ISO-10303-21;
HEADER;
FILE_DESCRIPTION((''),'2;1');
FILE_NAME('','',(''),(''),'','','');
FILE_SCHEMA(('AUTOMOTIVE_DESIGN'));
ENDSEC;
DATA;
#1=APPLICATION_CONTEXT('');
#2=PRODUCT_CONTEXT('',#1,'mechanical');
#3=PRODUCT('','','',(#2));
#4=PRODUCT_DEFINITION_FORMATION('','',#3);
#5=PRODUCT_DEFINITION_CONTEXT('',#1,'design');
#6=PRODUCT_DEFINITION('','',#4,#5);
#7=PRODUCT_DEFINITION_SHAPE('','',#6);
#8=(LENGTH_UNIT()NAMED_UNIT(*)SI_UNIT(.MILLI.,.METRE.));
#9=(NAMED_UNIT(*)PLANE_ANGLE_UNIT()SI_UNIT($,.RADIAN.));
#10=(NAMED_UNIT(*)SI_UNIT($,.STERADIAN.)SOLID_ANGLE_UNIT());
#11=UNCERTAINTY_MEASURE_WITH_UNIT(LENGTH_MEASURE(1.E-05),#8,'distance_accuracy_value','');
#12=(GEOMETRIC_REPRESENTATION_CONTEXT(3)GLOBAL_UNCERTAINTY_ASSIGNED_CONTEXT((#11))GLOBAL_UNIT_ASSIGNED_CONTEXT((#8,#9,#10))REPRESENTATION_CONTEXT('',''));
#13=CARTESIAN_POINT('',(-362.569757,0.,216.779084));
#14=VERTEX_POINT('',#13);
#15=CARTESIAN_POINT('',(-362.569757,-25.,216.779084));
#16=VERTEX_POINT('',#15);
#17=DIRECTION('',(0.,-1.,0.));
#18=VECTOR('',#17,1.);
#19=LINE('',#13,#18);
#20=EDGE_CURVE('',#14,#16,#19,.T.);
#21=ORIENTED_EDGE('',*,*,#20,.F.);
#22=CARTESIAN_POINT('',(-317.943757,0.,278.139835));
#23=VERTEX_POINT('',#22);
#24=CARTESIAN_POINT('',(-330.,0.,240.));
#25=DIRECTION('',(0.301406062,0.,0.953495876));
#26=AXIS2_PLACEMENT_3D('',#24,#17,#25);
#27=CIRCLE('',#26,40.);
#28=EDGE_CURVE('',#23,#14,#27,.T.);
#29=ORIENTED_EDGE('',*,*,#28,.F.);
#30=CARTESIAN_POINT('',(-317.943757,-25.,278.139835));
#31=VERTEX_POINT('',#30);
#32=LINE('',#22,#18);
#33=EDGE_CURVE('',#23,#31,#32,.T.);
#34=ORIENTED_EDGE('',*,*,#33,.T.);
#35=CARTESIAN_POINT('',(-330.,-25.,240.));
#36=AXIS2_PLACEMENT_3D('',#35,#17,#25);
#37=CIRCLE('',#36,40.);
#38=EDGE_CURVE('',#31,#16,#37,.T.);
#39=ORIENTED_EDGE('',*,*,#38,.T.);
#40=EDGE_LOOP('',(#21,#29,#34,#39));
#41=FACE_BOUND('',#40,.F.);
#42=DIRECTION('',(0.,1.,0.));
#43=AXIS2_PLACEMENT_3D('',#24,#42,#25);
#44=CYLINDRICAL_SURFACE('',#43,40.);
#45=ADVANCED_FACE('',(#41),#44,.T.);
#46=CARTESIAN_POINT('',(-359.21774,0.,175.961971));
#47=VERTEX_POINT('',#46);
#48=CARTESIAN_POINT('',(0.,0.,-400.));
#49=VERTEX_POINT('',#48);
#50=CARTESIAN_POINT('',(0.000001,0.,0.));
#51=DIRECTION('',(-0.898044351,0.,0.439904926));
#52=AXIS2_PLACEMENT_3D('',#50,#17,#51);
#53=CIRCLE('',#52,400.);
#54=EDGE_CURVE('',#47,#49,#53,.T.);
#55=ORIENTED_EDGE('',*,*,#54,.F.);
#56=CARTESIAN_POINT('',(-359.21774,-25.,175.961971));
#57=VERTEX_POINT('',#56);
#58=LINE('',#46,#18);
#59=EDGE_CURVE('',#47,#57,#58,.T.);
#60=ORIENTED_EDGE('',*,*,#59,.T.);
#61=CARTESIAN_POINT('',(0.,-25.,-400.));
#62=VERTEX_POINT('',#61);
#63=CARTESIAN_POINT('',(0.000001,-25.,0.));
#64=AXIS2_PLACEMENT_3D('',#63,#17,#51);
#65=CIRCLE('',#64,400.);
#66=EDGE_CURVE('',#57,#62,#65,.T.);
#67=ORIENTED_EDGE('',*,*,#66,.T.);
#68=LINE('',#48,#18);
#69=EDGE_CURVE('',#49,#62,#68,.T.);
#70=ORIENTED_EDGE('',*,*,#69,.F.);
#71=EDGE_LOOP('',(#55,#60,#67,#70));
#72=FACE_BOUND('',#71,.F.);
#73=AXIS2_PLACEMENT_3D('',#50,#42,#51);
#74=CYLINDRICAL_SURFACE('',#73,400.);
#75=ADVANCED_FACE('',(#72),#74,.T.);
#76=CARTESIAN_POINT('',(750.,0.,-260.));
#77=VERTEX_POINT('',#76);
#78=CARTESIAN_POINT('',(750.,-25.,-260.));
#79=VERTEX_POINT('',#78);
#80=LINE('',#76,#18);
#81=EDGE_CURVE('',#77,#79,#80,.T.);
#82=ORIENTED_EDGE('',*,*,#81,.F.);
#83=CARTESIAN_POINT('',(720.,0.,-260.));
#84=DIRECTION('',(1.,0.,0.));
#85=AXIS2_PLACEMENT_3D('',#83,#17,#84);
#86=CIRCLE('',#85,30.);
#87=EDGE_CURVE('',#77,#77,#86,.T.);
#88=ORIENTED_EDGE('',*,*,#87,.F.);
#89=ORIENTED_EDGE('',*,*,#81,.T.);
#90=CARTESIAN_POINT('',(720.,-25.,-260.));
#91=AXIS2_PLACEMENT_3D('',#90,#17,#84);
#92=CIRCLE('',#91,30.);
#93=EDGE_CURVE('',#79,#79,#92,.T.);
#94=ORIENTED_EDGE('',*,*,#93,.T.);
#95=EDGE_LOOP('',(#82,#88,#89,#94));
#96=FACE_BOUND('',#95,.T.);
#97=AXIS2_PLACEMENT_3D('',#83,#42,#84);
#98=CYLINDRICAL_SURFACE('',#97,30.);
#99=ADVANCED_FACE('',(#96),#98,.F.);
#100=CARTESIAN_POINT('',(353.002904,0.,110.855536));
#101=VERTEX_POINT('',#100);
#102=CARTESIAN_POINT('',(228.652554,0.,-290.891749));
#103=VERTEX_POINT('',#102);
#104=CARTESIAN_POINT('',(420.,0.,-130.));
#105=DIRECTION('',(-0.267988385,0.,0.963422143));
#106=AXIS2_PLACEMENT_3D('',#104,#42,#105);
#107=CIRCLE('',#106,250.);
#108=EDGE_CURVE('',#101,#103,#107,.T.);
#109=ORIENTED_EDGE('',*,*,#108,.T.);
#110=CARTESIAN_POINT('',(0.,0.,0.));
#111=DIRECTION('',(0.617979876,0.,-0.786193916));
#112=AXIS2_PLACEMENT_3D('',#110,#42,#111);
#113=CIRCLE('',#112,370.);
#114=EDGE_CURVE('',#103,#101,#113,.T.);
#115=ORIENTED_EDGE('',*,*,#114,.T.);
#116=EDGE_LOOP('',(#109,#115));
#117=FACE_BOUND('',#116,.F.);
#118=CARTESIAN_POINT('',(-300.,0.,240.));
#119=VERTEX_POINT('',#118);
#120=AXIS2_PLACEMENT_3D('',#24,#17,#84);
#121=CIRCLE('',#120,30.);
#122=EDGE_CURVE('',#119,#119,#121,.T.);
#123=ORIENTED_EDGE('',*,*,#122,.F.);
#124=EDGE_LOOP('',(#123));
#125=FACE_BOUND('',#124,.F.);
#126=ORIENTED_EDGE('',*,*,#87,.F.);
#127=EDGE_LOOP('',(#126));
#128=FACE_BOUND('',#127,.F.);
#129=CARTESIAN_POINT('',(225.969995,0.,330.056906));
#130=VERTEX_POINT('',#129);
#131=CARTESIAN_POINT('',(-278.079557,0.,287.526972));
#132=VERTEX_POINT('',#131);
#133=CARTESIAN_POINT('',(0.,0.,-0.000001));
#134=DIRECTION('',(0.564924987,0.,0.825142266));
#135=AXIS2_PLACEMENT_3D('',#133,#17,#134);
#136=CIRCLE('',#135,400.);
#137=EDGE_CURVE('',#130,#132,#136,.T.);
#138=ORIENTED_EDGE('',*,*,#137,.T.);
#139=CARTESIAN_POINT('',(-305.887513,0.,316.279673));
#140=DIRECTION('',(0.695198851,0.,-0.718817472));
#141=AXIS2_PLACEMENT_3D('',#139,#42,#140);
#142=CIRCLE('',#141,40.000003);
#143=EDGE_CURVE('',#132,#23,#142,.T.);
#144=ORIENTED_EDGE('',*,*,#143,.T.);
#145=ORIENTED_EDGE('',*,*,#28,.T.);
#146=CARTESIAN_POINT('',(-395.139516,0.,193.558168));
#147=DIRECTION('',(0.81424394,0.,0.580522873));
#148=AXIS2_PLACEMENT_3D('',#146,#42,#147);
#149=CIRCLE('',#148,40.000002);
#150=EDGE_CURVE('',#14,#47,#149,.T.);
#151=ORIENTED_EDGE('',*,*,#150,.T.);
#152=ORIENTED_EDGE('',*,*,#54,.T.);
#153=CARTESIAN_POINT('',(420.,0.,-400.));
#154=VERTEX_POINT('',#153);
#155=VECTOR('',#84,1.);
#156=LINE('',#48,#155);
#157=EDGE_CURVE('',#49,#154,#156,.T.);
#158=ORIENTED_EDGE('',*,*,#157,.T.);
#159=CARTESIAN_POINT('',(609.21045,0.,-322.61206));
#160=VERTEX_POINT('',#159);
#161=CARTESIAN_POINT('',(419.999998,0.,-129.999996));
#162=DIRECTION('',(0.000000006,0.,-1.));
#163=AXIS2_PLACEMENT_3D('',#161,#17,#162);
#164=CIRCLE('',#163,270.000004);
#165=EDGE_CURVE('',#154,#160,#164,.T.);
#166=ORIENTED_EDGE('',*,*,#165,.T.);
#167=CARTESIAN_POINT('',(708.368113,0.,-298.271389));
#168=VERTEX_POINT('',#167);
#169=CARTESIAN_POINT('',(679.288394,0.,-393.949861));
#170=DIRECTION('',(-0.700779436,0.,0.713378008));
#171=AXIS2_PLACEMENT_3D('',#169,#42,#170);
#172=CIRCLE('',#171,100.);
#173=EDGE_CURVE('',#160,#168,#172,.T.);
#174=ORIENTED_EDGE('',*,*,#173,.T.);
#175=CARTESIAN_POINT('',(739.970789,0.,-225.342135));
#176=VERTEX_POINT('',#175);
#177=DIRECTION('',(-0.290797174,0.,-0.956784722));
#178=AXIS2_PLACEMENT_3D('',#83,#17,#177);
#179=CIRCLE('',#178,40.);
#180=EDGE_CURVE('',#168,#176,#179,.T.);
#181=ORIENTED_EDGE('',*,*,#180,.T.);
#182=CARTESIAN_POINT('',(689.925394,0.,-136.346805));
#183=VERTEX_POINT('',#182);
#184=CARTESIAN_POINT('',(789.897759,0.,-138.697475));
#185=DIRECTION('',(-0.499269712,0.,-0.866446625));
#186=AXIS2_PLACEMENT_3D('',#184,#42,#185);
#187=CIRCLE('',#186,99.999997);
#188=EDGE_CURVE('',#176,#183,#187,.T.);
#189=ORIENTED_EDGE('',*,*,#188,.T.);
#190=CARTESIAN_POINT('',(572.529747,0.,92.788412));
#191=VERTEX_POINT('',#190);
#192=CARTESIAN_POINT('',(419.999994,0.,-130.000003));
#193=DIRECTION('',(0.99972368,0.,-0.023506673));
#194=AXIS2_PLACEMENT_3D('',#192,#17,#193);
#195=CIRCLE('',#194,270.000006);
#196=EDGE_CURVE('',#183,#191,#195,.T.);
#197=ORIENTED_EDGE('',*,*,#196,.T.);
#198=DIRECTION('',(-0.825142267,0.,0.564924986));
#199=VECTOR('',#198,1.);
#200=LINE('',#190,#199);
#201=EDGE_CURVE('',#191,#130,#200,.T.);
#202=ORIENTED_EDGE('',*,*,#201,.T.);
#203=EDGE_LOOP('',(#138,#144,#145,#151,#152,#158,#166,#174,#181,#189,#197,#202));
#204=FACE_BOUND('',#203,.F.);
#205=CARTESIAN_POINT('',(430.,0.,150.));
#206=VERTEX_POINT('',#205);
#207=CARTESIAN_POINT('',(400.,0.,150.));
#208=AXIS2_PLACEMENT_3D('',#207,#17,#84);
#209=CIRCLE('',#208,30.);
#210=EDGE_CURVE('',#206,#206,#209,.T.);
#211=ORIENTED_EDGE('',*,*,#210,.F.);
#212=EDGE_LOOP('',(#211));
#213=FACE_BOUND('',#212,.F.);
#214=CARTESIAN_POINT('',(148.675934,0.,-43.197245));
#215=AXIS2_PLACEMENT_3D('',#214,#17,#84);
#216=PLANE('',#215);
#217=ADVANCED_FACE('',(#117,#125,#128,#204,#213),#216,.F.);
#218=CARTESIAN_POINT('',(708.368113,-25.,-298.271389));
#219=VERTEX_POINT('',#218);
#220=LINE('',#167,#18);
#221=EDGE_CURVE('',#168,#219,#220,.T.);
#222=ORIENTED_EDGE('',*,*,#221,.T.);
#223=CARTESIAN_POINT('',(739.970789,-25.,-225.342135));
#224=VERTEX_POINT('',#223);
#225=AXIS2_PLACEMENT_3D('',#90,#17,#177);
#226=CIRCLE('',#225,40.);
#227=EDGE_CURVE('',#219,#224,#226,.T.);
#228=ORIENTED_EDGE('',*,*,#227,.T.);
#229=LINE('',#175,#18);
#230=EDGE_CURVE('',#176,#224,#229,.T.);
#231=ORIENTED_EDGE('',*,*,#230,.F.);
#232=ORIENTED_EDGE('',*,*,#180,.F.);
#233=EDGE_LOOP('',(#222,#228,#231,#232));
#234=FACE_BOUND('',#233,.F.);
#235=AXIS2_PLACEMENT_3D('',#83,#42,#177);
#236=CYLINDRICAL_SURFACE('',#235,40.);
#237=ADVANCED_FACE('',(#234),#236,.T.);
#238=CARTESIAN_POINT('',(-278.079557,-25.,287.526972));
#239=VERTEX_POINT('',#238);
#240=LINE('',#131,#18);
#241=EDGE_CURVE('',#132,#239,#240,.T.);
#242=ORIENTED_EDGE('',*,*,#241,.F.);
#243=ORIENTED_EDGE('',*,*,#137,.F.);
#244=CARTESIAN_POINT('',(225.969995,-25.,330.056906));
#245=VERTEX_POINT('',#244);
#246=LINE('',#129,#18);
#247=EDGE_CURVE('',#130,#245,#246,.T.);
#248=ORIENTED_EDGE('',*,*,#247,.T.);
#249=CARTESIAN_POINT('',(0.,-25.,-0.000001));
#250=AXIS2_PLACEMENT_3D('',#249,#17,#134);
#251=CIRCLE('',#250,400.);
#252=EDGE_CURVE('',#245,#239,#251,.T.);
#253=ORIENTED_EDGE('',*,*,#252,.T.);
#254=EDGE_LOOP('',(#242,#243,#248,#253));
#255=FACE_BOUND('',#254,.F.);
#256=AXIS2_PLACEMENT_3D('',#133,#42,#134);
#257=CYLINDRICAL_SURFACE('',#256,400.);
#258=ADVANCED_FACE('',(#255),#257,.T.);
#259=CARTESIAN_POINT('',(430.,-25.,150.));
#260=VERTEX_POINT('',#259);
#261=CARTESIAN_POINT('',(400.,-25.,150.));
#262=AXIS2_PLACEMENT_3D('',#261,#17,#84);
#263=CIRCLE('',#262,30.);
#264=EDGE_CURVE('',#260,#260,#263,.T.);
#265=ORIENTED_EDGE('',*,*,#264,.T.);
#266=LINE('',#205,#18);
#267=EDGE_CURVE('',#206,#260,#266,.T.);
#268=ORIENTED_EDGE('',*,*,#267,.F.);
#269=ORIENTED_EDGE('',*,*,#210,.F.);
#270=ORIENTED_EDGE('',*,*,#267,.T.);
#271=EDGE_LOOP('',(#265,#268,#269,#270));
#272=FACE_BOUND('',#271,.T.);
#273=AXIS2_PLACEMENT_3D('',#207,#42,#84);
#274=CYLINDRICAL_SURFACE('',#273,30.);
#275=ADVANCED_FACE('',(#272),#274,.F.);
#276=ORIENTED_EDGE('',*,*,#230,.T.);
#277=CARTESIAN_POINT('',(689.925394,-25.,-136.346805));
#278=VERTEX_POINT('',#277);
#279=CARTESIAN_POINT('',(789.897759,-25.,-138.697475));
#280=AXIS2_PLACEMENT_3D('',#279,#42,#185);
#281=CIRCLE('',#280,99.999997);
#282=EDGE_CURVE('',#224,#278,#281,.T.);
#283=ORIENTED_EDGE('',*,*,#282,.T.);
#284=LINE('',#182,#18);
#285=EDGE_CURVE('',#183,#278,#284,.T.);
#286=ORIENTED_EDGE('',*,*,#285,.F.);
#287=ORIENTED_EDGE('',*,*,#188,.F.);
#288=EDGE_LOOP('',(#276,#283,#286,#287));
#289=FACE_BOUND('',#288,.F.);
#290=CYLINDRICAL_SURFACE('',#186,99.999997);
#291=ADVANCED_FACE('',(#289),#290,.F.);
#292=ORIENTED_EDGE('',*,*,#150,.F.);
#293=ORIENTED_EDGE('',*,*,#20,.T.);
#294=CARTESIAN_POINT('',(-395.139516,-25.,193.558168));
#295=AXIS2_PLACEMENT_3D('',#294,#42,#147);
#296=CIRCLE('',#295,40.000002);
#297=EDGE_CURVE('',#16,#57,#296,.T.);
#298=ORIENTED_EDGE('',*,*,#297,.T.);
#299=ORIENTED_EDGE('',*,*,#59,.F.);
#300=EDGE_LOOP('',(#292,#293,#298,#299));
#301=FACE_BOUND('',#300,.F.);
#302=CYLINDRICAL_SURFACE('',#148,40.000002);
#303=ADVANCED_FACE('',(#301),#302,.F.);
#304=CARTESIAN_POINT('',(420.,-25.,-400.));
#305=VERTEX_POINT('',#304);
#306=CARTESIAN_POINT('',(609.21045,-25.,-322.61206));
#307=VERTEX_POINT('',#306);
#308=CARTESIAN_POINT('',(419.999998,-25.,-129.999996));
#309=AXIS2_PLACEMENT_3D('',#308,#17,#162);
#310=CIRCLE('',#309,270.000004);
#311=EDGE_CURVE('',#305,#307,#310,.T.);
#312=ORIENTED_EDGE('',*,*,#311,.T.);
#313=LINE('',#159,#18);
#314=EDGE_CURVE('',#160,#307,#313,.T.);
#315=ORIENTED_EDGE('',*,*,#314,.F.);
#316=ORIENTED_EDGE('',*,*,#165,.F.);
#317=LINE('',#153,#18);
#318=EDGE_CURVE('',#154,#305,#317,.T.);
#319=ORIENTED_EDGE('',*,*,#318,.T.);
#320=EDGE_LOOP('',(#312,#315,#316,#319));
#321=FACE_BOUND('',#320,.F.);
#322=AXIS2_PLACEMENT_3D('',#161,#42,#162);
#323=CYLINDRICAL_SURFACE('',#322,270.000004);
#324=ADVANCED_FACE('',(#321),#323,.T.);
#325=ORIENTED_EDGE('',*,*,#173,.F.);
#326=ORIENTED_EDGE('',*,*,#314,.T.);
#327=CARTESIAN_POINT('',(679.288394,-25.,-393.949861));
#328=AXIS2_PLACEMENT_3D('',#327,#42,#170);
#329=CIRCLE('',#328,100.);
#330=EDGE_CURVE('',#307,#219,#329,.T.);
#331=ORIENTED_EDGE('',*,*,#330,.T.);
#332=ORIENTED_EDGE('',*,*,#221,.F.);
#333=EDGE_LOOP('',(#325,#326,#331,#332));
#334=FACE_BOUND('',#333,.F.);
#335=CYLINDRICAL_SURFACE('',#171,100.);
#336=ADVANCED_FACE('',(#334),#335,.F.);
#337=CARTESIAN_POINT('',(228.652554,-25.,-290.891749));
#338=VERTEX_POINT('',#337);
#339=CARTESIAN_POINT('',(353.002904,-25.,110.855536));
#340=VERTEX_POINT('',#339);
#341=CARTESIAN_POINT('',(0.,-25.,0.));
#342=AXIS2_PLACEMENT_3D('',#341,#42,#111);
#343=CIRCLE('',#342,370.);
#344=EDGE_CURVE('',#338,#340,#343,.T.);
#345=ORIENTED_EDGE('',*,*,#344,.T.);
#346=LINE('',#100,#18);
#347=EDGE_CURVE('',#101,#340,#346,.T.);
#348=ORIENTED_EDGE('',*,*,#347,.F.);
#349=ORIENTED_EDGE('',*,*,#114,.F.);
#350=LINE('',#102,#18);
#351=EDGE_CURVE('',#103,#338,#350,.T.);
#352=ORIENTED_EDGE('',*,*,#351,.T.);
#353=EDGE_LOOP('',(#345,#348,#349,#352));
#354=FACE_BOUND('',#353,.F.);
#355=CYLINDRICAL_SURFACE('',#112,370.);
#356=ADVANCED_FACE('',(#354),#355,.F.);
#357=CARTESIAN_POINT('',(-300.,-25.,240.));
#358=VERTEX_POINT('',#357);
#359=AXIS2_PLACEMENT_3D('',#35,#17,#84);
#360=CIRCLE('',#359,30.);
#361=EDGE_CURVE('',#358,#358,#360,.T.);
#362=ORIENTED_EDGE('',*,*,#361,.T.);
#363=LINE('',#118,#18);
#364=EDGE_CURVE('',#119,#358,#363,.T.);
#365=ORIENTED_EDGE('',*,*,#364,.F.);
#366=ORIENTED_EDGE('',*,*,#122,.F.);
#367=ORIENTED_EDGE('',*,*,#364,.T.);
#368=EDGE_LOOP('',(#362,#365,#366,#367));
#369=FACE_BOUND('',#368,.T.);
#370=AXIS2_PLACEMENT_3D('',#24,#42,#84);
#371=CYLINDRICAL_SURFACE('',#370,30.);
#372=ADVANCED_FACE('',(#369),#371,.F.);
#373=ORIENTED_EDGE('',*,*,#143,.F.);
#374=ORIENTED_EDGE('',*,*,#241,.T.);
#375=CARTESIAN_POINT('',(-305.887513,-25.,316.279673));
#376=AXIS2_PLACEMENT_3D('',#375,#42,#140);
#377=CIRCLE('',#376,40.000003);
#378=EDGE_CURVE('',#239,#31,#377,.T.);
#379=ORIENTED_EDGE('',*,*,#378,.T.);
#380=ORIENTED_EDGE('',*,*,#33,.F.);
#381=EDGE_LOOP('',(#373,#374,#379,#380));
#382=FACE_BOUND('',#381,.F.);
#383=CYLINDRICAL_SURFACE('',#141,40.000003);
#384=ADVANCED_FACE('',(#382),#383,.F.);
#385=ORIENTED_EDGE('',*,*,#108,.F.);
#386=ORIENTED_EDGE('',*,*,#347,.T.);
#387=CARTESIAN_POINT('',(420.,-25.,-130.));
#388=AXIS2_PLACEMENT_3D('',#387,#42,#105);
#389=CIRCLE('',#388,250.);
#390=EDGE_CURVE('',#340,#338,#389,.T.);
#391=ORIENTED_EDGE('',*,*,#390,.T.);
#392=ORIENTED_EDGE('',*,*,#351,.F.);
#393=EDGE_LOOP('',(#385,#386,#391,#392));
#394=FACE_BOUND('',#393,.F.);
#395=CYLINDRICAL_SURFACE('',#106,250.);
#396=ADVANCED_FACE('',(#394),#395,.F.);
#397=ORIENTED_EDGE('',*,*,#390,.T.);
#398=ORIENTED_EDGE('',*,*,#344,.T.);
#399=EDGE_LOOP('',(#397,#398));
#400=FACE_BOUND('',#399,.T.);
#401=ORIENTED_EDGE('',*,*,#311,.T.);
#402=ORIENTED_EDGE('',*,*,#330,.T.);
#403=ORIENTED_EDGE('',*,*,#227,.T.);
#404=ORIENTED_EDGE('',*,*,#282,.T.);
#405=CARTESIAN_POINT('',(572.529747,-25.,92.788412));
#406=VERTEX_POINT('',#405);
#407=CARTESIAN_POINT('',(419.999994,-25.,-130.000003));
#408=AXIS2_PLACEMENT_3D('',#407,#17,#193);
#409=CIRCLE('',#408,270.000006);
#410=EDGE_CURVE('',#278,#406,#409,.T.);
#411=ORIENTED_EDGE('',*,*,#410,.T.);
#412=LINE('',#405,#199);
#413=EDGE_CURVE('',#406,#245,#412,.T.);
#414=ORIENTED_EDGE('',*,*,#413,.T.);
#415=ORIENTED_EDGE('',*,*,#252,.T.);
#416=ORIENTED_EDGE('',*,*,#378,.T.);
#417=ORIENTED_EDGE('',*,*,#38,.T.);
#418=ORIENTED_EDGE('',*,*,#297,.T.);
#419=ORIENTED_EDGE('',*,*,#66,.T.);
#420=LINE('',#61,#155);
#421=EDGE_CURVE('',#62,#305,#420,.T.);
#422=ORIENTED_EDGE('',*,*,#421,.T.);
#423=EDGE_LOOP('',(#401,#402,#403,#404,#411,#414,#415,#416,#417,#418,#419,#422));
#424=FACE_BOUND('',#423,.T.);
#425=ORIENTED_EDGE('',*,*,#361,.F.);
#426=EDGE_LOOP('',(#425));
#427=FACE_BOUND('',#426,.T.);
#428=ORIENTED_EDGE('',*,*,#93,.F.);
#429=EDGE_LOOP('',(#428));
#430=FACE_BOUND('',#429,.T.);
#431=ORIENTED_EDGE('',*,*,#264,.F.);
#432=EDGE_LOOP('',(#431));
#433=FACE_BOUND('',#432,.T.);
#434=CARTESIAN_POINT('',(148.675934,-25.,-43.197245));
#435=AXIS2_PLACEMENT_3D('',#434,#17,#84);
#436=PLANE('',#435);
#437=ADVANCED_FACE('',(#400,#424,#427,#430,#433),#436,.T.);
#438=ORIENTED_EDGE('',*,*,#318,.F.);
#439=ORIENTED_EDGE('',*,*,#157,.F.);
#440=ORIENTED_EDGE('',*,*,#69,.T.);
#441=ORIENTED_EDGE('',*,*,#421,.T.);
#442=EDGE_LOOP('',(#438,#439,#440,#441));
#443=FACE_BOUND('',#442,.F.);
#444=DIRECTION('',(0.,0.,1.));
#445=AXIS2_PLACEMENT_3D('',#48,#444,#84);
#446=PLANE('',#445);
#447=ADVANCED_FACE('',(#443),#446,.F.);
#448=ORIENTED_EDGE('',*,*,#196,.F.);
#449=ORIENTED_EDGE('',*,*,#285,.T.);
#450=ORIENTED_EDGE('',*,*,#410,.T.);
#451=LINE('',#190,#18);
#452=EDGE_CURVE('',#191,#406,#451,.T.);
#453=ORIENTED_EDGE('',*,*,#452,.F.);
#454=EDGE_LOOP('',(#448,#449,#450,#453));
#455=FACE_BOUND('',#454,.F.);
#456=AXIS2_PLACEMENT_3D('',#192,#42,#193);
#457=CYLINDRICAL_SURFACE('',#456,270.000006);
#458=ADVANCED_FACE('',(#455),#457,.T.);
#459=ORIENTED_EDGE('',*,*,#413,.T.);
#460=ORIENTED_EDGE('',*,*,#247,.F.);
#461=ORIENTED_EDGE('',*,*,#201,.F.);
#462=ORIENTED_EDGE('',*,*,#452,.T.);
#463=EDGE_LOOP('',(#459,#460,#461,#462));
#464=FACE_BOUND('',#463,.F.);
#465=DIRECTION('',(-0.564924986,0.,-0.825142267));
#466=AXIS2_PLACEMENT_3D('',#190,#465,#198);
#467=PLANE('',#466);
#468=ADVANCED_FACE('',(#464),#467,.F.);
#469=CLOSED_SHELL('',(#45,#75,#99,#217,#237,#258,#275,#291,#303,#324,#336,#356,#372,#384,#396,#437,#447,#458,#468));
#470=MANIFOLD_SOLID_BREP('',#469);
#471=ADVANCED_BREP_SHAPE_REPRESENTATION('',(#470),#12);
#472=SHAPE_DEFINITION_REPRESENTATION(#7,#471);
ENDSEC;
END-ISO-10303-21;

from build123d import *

# Parameters (mm, degrees)
F0_R     = 30
F1_DEPTH = 25


with BuildPart() as f1:
    # F0 (on Front) → F1 (new body)
    with BuildSketch(Plane.XZ):
        with BuildLine():
            ThreePointArc((-362.569757, 216.779084), (-355.273719, 196.83206), (-359.21774, 175.961971))
            ThreePointArc((-359.21774, 175.961971), (-339.40005, -211.678071), (0, -400))
            Line((0, -400), (420, -400))
            ThreePointArc((420, -400), (522.212386, -379.905238), (609.21045, -322.61206))
            ThreePointArc((609.21045, -322.61206), (655.448706, -296.833079), (708.368113, -298.271389))
            ThreePointArc((708.368113, -298.271389), (756.702225, -275.904298), (739.970789, -225.342135))
            ThreePointArc((739.970789, -225.342135), (702.734149, -187.712825), (689.925394, -136.346805))
            ThreePointArc((689.925394, -136.346805), (660.297364, -6.885514), (572.529747, 92.788412))
            Line((572.529747, 92.788412), (225.969995, 330.056906))
            ThreePointArc((225.969995, 330.056906), (-33.631094, 398.583679), (-278.079557, 287.526972))
            ThreePointArc((-278.079557, 287.526972), (-296.71916, 277.344579), (-317.943757, 278.139835))
            ThreePointArc((-317.943757, 278.139835), (-362.349443, 263.526868), (-362.569757, 216.779084))
        make_face()
        with BuildLine():
            ThreePointArc((228.652554, -290.891749), (-353.45578, 109.402979), (353.002904, 110.855536))
            ThreePointArc((353.002904, 110.855536), (658.821473, -203.920932), (228.652554, -290.891749))
        make_face(mode=Mode.SUBTRACT)
        with Locations((720, -260)):
            Circle(F0_R, mode=Mode.SUBTRACT)
        with Locations((-330, 240)):
            Circle(F0_R, mode=Mode.SUBTRACT)
        with Locations((400, 150)):
            Circle(F0_R, mode=Mode.SUBTRACT)
    extrude(amount=F1_DEPTH)


solid = f1.part
